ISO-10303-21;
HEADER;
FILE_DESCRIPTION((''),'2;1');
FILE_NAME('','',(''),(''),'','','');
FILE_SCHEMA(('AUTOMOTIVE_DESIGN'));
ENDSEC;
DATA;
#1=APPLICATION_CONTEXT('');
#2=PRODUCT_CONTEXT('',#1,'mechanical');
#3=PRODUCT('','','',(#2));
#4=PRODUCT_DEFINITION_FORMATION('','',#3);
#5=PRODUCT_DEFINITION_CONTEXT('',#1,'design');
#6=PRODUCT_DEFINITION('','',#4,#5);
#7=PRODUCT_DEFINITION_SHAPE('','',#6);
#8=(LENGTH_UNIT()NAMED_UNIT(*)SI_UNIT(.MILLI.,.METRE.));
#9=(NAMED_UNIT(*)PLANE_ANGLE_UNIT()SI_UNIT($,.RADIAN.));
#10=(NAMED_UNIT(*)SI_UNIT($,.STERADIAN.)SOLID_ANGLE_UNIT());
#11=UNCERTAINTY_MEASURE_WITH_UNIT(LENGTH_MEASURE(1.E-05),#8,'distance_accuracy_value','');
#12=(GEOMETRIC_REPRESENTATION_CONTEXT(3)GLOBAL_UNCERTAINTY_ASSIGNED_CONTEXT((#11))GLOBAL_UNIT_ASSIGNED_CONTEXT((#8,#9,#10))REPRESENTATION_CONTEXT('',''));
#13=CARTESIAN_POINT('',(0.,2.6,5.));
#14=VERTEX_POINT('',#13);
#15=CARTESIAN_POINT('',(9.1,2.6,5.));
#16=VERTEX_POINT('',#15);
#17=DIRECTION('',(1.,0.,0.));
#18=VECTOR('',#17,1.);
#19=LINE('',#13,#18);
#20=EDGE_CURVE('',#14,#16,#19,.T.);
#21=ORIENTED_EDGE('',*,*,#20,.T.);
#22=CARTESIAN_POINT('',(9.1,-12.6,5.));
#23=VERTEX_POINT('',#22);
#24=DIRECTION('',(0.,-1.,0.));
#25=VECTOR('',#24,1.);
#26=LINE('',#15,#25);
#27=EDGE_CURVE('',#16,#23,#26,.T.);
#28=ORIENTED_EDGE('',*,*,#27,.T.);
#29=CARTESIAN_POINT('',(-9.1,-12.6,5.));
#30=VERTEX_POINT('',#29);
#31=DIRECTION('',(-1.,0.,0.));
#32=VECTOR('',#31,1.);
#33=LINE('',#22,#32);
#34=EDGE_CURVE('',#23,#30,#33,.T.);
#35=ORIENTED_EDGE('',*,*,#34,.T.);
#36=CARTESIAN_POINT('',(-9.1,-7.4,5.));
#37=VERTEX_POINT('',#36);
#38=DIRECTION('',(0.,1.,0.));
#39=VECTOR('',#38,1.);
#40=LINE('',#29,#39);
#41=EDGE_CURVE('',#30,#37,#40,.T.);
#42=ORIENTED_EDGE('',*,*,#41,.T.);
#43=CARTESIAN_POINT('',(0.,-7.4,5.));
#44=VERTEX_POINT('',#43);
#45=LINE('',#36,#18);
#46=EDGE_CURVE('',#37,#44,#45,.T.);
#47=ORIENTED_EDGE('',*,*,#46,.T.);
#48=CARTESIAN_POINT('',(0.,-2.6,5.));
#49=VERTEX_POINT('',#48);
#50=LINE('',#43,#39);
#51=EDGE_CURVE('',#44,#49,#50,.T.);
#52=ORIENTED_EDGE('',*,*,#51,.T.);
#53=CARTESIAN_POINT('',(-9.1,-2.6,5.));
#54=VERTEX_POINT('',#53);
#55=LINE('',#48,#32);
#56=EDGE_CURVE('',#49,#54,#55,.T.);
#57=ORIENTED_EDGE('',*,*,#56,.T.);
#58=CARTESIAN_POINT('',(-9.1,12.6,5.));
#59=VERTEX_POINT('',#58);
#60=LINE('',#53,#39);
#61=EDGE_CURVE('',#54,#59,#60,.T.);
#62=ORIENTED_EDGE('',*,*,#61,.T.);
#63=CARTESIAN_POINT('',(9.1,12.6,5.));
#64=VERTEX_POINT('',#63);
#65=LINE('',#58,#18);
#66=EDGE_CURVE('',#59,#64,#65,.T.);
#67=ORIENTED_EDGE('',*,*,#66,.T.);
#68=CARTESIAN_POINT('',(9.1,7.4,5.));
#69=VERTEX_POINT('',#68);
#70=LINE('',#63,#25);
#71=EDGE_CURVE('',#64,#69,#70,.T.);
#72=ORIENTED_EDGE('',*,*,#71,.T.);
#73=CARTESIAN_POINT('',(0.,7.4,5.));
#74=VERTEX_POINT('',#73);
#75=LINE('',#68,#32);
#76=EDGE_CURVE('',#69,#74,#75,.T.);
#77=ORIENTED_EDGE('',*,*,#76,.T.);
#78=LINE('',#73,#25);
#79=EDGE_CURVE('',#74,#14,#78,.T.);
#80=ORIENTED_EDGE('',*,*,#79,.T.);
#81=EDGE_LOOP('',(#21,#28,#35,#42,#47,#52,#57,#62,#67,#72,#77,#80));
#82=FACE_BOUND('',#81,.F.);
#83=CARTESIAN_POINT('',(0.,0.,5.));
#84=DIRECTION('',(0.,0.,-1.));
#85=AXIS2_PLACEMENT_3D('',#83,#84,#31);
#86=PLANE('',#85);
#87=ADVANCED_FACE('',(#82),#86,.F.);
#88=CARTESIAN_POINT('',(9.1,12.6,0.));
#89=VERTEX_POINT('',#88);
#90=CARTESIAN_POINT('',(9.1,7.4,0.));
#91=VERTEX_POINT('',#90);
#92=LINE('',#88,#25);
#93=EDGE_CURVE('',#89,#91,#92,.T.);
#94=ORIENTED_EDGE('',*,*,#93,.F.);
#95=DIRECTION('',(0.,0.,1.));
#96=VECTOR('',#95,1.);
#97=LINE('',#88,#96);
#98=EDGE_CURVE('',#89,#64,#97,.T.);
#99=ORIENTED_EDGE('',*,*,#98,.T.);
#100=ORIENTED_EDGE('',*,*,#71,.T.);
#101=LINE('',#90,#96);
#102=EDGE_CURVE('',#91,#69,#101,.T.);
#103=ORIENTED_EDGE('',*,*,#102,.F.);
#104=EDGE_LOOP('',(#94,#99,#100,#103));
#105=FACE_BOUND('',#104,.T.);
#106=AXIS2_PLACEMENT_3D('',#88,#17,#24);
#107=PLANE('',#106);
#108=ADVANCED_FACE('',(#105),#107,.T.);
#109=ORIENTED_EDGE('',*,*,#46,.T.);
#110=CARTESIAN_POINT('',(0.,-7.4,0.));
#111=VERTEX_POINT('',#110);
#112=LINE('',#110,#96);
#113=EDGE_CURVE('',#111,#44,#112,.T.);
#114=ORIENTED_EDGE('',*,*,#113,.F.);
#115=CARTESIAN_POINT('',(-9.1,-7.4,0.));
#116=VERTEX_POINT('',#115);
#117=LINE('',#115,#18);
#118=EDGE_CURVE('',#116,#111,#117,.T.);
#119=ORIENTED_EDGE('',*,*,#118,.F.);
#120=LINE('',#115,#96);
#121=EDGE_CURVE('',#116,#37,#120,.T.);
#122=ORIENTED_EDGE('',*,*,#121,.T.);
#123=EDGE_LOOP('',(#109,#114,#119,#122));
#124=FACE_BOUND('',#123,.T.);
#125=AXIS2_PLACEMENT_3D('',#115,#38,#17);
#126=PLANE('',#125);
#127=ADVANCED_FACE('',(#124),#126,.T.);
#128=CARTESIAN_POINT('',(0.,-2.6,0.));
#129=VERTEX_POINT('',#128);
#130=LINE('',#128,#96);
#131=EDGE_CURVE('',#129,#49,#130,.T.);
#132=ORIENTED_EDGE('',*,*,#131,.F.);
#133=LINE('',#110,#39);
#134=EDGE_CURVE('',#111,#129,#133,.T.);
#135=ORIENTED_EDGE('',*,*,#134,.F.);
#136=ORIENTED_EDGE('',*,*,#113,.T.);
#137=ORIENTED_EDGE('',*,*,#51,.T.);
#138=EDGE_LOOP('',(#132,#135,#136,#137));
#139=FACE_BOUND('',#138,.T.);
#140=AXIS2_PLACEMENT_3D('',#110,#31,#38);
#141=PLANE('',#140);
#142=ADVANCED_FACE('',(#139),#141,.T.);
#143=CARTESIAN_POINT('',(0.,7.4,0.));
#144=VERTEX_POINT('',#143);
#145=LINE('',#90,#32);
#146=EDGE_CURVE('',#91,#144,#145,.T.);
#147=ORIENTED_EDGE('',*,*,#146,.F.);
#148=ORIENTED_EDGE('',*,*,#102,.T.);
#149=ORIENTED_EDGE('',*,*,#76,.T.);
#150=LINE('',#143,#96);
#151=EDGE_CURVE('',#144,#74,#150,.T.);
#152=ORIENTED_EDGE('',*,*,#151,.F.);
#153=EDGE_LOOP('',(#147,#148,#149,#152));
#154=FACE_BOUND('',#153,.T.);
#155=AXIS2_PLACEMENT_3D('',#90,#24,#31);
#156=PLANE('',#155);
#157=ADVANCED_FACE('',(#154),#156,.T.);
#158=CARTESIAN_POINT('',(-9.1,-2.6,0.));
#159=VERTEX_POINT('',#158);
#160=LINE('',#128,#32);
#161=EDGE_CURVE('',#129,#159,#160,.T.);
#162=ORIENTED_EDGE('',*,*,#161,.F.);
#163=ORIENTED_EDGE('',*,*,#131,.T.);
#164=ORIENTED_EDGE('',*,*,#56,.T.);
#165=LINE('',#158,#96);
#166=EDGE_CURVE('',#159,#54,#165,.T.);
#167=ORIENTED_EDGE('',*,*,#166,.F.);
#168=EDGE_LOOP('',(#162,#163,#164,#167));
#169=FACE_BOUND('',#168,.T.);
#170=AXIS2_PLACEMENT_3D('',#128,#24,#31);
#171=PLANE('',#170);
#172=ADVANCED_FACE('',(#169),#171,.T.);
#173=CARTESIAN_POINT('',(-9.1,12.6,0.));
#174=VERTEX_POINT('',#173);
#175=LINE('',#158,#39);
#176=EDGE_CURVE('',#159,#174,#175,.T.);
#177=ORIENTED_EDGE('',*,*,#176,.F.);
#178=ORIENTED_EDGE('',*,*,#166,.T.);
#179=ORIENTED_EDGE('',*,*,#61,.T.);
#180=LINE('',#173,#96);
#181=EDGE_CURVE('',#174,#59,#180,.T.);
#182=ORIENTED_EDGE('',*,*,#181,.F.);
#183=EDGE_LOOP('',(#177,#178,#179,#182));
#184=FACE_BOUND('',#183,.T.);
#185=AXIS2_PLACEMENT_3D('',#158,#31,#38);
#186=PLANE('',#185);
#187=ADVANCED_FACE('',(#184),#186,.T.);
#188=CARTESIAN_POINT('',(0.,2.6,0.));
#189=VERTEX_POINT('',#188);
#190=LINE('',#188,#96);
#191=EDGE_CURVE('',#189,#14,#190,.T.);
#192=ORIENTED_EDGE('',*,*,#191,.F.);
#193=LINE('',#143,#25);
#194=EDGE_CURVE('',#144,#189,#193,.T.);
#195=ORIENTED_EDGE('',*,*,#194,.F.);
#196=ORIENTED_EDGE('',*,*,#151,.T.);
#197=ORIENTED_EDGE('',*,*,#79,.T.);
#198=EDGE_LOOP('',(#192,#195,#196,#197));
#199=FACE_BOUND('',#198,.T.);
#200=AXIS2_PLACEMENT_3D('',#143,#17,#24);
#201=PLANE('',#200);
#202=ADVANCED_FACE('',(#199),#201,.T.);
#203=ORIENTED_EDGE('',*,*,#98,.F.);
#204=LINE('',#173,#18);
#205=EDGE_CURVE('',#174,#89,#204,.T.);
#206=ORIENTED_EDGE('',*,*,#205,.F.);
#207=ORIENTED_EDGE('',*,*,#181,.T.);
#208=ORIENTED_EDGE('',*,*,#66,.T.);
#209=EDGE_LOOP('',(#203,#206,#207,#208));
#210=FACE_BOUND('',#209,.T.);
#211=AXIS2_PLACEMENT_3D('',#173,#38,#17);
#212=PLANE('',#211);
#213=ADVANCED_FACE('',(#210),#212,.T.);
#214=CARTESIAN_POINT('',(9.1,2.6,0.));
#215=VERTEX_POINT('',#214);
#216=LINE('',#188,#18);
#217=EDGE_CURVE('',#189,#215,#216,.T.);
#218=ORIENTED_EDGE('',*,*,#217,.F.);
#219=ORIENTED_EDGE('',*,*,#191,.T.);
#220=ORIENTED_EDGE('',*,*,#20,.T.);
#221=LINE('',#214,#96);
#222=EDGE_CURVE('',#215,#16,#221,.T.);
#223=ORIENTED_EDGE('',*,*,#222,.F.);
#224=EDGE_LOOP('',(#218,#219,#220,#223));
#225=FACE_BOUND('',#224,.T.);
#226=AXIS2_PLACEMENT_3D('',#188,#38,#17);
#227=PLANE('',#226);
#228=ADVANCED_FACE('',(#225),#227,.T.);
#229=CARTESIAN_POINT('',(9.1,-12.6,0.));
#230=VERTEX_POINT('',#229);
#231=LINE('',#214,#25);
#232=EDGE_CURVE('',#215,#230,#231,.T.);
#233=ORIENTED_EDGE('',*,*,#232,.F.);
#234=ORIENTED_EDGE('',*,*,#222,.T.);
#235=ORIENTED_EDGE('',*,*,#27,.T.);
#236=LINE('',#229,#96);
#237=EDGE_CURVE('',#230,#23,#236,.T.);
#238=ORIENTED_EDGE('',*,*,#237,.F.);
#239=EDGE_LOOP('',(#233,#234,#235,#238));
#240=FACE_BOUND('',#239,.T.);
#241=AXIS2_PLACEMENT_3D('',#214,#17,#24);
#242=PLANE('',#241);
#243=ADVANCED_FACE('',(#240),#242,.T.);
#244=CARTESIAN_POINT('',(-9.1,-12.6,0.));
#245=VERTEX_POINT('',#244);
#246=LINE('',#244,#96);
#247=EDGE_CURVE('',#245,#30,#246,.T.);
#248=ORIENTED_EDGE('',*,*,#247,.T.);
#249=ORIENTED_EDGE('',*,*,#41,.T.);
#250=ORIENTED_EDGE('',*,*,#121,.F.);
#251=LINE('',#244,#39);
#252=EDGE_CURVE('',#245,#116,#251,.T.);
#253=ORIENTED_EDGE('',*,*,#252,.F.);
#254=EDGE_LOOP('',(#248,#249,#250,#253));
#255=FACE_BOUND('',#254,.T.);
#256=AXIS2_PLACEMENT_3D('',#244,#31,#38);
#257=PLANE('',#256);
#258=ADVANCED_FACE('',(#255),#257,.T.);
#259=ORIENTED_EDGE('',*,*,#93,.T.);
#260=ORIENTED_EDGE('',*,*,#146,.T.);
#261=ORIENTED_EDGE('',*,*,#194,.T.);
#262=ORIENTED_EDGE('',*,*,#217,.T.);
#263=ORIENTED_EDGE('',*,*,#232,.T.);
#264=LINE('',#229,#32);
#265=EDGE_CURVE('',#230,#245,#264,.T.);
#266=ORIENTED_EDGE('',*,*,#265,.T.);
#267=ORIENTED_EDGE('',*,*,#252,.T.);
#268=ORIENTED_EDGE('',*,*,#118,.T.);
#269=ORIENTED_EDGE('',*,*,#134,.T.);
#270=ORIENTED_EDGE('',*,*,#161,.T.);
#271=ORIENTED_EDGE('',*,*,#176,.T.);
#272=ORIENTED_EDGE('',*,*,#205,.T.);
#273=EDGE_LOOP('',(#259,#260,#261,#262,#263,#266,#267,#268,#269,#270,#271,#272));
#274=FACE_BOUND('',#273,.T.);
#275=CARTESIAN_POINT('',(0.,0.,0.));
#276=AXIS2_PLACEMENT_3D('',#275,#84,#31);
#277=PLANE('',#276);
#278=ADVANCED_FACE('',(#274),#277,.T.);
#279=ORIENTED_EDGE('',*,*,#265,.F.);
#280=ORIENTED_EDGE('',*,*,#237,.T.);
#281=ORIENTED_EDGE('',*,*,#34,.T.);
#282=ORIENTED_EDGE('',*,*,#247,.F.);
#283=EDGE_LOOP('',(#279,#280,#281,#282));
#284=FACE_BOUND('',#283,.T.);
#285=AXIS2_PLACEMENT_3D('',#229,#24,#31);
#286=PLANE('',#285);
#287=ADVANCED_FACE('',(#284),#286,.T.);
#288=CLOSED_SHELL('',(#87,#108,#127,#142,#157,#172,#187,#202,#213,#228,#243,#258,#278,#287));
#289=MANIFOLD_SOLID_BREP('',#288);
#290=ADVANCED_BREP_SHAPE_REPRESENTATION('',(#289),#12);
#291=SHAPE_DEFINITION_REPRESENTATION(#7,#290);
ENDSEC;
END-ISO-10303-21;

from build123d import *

# Parameters (mm, degrees)
PAD_DEPTH = 5


with BuildPart() as part:
    # Sketch → Pad (new body)
    with BuildSketch(Plane.XY):
        Polygon((-9.1, 12.6), (9.1, 12.6), (9.1, 7.4), (0, 7.4), (0, 2.6), (9.1, 2.6), (9.1, -12.6), (-9.1, -12.6), (-9.1, -7.4), (0, -7.4), (0, -2.6), (-9.1, -2.6), align=None)
    extrude(amount=PAD_DEPTH)


solid = part.part
